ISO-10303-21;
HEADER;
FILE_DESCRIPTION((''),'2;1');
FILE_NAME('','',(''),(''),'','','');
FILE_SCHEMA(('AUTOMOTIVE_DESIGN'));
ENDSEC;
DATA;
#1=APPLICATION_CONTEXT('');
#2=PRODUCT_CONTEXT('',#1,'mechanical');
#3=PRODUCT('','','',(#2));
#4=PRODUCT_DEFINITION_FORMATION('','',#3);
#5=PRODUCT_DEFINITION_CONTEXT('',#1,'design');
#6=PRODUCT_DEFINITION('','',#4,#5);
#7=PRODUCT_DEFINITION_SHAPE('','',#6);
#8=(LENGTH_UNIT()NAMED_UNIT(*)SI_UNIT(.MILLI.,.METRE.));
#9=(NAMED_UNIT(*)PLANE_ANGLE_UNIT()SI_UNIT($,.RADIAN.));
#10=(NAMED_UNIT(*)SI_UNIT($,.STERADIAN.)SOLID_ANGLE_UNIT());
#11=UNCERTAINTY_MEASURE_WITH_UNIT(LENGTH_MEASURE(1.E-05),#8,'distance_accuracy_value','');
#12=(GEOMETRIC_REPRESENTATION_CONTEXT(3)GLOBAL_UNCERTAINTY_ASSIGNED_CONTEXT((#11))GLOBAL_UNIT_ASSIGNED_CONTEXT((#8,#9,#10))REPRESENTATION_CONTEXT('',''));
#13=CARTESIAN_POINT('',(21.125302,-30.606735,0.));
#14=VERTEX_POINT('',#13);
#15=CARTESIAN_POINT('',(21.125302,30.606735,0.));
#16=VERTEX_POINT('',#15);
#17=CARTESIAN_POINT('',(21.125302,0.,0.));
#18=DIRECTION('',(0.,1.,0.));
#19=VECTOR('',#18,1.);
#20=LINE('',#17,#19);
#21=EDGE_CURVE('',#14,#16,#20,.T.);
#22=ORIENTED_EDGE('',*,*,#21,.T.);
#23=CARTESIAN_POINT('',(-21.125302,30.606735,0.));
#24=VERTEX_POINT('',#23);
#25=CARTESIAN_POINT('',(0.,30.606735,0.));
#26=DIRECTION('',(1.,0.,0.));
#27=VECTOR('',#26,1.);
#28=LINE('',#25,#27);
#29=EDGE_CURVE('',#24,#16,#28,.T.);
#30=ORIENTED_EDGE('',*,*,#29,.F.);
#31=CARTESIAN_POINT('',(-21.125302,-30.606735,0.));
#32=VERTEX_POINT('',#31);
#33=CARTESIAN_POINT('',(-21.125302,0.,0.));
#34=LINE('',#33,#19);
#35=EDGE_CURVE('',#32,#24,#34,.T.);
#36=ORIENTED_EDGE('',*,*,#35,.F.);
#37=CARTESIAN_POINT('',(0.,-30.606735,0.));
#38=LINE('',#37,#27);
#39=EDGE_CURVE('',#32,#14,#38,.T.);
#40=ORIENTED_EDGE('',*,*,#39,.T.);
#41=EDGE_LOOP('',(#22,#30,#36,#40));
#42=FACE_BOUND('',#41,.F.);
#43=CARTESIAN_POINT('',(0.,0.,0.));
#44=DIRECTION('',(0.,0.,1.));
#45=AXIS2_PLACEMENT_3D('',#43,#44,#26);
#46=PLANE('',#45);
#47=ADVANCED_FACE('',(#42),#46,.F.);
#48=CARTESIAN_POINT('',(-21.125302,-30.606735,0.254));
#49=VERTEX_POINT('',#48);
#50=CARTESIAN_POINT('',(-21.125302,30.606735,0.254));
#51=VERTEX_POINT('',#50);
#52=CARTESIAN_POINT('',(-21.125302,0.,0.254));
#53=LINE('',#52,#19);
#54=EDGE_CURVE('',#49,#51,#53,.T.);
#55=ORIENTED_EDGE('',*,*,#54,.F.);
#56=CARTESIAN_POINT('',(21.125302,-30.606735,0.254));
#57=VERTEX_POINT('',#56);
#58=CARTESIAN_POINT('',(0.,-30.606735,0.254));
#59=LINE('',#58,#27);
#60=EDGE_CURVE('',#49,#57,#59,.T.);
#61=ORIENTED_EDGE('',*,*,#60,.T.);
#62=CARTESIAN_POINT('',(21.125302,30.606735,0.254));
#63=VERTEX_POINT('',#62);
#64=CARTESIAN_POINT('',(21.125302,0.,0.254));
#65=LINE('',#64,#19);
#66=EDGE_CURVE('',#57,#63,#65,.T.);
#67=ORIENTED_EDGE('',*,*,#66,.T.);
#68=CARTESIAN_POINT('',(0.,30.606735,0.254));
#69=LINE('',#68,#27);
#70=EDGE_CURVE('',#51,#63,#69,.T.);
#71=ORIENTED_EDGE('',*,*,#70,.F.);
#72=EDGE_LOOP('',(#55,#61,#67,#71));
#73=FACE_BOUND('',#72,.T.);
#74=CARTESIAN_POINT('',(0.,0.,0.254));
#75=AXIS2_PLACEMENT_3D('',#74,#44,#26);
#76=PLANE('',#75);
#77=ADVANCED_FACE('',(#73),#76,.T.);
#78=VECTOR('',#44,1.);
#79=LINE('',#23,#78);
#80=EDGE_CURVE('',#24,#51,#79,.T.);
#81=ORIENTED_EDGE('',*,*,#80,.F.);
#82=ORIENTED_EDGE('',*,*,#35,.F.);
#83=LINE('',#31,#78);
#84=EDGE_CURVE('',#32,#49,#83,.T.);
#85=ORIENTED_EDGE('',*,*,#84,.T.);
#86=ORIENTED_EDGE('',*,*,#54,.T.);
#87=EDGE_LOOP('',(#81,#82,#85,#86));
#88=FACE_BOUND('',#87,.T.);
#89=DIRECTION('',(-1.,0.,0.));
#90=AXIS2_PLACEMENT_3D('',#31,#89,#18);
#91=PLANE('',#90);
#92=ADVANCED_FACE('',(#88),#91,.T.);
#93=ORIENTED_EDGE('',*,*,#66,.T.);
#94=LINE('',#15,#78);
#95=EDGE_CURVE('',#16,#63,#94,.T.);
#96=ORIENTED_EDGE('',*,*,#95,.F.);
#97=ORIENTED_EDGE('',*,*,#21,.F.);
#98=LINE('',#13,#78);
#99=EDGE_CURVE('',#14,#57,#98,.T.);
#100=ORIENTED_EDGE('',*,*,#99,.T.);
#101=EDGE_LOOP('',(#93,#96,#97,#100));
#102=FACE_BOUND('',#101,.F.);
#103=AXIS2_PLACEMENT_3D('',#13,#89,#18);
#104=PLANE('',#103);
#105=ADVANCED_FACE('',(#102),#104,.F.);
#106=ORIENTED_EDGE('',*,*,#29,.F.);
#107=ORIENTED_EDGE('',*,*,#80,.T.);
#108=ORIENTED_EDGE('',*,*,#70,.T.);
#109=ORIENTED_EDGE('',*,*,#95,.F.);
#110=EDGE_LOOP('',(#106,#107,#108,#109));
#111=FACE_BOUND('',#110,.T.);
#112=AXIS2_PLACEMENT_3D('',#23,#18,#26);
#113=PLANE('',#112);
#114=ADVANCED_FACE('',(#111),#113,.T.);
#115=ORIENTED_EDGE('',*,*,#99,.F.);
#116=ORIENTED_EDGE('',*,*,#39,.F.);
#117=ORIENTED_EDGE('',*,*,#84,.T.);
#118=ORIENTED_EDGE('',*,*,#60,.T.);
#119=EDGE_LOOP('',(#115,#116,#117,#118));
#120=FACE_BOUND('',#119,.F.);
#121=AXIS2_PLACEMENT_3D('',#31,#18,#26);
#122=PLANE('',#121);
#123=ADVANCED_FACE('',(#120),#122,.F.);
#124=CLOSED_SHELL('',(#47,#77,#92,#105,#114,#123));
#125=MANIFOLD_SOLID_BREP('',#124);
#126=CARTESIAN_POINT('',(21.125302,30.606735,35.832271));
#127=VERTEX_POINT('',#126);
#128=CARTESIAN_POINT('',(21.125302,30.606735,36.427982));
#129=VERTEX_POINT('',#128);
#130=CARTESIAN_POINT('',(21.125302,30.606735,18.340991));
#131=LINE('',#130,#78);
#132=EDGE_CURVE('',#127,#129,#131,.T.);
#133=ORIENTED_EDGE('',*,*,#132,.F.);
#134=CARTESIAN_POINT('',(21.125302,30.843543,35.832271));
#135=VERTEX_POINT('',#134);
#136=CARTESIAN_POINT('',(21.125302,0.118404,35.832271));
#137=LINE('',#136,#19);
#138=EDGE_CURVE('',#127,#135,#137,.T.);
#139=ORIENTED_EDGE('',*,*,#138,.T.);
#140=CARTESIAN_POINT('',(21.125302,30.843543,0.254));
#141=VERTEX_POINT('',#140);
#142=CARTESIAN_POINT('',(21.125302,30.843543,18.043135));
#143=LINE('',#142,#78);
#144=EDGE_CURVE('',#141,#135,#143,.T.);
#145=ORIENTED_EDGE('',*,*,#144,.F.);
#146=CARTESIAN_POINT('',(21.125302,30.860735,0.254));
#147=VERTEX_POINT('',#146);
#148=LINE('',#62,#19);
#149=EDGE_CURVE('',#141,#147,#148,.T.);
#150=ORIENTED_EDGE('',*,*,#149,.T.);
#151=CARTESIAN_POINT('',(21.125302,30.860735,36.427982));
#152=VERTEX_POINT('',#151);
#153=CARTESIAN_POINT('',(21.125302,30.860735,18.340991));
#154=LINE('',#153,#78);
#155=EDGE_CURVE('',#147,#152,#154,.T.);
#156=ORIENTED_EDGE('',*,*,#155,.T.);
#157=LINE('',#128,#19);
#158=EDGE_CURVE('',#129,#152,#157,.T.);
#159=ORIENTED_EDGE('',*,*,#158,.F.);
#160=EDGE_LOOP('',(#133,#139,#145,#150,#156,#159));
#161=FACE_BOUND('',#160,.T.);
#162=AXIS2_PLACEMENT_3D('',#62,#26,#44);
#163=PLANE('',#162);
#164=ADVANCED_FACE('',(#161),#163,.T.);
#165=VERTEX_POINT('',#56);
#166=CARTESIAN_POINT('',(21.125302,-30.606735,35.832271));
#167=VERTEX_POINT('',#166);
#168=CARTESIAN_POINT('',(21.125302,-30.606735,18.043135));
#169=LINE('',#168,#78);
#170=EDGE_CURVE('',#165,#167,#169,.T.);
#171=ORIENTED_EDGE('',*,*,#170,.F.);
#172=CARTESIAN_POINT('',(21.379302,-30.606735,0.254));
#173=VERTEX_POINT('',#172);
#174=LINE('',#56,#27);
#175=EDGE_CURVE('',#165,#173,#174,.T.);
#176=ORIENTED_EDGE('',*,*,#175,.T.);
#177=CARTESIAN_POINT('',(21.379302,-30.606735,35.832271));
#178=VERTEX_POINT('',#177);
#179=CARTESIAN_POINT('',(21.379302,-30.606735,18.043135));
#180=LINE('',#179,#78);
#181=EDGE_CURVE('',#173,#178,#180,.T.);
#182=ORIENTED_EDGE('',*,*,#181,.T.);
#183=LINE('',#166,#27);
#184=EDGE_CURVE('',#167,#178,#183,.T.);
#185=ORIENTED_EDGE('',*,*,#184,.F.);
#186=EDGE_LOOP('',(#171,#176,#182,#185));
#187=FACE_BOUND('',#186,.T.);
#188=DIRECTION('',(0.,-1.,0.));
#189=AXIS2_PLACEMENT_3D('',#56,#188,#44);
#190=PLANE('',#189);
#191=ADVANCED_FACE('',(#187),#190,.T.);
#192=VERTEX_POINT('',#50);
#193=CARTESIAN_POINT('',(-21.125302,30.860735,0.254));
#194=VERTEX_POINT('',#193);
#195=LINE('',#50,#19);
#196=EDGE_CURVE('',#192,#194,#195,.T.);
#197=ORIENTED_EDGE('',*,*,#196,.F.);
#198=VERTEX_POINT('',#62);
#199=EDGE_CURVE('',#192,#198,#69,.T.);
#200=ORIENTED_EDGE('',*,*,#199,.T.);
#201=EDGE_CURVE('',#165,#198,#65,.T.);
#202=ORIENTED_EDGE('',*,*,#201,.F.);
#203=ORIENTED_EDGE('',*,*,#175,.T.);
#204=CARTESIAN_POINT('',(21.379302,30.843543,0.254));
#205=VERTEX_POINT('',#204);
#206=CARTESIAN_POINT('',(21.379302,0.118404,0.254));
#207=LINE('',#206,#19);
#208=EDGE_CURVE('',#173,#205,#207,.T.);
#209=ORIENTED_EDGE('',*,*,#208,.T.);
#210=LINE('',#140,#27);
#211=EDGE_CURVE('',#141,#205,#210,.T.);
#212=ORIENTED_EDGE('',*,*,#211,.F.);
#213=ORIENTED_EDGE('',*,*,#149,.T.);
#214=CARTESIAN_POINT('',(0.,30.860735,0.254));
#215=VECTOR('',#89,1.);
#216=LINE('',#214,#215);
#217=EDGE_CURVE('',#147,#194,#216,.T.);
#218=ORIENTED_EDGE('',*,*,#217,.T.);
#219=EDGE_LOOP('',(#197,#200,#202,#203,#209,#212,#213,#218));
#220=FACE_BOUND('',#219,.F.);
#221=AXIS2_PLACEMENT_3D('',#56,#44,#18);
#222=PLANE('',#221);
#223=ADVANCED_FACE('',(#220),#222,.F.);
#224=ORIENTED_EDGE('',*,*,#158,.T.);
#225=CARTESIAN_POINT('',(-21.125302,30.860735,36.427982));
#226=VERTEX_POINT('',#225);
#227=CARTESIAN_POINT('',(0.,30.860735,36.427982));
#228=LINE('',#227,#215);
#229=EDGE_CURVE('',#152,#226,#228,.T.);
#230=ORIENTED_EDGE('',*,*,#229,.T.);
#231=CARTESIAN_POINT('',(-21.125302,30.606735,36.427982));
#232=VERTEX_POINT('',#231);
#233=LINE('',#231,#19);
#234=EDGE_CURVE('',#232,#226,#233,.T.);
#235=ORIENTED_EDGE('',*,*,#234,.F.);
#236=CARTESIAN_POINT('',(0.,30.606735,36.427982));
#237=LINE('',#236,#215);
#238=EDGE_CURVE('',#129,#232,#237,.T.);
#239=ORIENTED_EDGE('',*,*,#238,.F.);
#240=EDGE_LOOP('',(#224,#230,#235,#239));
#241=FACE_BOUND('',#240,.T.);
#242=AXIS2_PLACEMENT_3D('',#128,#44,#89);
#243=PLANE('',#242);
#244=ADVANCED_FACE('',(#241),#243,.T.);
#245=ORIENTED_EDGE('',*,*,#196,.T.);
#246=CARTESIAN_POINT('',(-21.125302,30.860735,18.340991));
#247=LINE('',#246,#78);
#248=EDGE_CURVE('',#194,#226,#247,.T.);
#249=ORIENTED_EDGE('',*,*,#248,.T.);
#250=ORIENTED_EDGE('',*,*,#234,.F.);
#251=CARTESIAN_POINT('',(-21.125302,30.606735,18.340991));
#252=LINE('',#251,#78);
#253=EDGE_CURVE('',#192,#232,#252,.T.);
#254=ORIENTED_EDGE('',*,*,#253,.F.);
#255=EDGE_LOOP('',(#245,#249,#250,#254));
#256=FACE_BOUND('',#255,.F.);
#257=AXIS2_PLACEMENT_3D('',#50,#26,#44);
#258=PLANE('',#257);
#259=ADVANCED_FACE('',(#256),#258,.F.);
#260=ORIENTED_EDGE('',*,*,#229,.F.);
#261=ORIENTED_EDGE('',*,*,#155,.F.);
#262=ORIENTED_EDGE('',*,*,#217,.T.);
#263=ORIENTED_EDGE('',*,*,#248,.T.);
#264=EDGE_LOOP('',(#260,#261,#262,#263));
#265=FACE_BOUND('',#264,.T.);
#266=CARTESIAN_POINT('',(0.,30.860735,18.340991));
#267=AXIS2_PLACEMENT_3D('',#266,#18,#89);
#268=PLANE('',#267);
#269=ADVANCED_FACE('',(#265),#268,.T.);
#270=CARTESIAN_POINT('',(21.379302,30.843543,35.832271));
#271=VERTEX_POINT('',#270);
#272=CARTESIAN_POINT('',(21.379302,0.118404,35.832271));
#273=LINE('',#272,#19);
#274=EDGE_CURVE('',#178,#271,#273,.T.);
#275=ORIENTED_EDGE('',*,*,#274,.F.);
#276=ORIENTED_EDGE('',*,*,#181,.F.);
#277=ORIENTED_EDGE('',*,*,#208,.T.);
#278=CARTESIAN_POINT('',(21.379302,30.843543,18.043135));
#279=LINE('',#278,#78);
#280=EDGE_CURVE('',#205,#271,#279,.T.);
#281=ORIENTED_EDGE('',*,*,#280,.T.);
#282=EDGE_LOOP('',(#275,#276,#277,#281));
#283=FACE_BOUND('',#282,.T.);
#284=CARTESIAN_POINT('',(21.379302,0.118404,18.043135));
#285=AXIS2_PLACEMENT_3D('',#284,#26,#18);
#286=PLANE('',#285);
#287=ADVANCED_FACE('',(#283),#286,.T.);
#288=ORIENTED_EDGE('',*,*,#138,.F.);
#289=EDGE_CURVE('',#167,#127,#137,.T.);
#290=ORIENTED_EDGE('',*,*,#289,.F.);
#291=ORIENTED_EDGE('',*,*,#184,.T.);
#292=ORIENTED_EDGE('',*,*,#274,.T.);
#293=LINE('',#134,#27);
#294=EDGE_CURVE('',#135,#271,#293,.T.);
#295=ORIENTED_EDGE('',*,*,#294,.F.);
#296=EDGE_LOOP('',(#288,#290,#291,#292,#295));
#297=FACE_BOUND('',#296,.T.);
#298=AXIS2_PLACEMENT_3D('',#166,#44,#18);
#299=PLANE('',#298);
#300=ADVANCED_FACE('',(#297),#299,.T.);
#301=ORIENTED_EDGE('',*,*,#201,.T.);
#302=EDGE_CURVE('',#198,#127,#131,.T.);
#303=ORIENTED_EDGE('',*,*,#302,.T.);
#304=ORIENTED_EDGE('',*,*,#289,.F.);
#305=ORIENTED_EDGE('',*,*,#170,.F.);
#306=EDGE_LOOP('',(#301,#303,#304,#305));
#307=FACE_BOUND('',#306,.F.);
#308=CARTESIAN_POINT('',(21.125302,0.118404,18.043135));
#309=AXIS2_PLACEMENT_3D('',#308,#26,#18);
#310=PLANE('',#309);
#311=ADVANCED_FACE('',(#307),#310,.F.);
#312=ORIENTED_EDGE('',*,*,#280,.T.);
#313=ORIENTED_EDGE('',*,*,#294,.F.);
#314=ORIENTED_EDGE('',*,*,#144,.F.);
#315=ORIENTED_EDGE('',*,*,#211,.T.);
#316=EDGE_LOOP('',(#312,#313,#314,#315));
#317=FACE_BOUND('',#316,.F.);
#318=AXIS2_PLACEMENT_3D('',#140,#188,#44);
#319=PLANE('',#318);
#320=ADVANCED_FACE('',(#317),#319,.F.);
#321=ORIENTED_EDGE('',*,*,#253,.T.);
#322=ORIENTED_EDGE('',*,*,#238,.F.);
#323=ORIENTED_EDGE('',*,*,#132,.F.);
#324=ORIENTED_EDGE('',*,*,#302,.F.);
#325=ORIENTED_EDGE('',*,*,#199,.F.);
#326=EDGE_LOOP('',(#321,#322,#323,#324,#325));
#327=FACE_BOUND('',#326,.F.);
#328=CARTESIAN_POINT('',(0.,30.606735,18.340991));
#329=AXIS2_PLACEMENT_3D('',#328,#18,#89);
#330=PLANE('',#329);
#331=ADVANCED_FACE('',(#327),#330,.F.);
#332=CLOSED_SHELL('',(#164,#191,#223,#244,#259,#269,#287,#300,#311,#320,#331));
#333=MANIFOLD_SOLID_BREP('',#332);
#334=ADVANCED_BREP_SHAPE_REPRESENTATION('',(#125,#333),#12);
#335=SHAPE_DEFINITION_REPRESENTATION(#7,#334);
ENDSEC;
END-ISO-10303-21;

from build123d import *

# Parameters (mm, degrees)
F0_W     = 42.2506034374
F0_H     = 61.2134709954
F1_DEPTH = 0.254
F2_W     = 42.2506034374
F2_H     = 36.1739821515
F3_DEPTH = 0.254
F4_W     = 61.4502783865
F4_H     = 35.5782709799
F5_DEPTH = 0.254


with BuildPart() as f1:
    # F0 (on Top) → F1 (new body)
    with BuildSketch(Plane.XY):
        Rectangle(F0_W, F0_H)
    extrude(amount=F1_DEPTH)



with BuildPart() as f3:
    # F2 (on face) → F3 (new body)
    with BuildSketch(Plane(origin=(0, 30.6067354977, 0), x_dir=(-1, 0, 0), z_dir=(0, 1, 0))):
        with Locations((0, 18.3409910758)):
            Rectangle(F2_W, F2_H)
    extrude(amount=F3_DEPTH)


with BuildPart() as f1_1:
    add(f1.part)

    add(f3.part)  # F5 merges F3
    # F4 (on face) → F5 (join)
    with BuildSketch(Plane.YZ.offset(21.1253017187)):
        with Locations((0.1184036955, 18.0431354899)):
            Rectangle(F4_W, F4_H)
    extrude(amount=F5_DEPTH)


solid = f1_1.part
